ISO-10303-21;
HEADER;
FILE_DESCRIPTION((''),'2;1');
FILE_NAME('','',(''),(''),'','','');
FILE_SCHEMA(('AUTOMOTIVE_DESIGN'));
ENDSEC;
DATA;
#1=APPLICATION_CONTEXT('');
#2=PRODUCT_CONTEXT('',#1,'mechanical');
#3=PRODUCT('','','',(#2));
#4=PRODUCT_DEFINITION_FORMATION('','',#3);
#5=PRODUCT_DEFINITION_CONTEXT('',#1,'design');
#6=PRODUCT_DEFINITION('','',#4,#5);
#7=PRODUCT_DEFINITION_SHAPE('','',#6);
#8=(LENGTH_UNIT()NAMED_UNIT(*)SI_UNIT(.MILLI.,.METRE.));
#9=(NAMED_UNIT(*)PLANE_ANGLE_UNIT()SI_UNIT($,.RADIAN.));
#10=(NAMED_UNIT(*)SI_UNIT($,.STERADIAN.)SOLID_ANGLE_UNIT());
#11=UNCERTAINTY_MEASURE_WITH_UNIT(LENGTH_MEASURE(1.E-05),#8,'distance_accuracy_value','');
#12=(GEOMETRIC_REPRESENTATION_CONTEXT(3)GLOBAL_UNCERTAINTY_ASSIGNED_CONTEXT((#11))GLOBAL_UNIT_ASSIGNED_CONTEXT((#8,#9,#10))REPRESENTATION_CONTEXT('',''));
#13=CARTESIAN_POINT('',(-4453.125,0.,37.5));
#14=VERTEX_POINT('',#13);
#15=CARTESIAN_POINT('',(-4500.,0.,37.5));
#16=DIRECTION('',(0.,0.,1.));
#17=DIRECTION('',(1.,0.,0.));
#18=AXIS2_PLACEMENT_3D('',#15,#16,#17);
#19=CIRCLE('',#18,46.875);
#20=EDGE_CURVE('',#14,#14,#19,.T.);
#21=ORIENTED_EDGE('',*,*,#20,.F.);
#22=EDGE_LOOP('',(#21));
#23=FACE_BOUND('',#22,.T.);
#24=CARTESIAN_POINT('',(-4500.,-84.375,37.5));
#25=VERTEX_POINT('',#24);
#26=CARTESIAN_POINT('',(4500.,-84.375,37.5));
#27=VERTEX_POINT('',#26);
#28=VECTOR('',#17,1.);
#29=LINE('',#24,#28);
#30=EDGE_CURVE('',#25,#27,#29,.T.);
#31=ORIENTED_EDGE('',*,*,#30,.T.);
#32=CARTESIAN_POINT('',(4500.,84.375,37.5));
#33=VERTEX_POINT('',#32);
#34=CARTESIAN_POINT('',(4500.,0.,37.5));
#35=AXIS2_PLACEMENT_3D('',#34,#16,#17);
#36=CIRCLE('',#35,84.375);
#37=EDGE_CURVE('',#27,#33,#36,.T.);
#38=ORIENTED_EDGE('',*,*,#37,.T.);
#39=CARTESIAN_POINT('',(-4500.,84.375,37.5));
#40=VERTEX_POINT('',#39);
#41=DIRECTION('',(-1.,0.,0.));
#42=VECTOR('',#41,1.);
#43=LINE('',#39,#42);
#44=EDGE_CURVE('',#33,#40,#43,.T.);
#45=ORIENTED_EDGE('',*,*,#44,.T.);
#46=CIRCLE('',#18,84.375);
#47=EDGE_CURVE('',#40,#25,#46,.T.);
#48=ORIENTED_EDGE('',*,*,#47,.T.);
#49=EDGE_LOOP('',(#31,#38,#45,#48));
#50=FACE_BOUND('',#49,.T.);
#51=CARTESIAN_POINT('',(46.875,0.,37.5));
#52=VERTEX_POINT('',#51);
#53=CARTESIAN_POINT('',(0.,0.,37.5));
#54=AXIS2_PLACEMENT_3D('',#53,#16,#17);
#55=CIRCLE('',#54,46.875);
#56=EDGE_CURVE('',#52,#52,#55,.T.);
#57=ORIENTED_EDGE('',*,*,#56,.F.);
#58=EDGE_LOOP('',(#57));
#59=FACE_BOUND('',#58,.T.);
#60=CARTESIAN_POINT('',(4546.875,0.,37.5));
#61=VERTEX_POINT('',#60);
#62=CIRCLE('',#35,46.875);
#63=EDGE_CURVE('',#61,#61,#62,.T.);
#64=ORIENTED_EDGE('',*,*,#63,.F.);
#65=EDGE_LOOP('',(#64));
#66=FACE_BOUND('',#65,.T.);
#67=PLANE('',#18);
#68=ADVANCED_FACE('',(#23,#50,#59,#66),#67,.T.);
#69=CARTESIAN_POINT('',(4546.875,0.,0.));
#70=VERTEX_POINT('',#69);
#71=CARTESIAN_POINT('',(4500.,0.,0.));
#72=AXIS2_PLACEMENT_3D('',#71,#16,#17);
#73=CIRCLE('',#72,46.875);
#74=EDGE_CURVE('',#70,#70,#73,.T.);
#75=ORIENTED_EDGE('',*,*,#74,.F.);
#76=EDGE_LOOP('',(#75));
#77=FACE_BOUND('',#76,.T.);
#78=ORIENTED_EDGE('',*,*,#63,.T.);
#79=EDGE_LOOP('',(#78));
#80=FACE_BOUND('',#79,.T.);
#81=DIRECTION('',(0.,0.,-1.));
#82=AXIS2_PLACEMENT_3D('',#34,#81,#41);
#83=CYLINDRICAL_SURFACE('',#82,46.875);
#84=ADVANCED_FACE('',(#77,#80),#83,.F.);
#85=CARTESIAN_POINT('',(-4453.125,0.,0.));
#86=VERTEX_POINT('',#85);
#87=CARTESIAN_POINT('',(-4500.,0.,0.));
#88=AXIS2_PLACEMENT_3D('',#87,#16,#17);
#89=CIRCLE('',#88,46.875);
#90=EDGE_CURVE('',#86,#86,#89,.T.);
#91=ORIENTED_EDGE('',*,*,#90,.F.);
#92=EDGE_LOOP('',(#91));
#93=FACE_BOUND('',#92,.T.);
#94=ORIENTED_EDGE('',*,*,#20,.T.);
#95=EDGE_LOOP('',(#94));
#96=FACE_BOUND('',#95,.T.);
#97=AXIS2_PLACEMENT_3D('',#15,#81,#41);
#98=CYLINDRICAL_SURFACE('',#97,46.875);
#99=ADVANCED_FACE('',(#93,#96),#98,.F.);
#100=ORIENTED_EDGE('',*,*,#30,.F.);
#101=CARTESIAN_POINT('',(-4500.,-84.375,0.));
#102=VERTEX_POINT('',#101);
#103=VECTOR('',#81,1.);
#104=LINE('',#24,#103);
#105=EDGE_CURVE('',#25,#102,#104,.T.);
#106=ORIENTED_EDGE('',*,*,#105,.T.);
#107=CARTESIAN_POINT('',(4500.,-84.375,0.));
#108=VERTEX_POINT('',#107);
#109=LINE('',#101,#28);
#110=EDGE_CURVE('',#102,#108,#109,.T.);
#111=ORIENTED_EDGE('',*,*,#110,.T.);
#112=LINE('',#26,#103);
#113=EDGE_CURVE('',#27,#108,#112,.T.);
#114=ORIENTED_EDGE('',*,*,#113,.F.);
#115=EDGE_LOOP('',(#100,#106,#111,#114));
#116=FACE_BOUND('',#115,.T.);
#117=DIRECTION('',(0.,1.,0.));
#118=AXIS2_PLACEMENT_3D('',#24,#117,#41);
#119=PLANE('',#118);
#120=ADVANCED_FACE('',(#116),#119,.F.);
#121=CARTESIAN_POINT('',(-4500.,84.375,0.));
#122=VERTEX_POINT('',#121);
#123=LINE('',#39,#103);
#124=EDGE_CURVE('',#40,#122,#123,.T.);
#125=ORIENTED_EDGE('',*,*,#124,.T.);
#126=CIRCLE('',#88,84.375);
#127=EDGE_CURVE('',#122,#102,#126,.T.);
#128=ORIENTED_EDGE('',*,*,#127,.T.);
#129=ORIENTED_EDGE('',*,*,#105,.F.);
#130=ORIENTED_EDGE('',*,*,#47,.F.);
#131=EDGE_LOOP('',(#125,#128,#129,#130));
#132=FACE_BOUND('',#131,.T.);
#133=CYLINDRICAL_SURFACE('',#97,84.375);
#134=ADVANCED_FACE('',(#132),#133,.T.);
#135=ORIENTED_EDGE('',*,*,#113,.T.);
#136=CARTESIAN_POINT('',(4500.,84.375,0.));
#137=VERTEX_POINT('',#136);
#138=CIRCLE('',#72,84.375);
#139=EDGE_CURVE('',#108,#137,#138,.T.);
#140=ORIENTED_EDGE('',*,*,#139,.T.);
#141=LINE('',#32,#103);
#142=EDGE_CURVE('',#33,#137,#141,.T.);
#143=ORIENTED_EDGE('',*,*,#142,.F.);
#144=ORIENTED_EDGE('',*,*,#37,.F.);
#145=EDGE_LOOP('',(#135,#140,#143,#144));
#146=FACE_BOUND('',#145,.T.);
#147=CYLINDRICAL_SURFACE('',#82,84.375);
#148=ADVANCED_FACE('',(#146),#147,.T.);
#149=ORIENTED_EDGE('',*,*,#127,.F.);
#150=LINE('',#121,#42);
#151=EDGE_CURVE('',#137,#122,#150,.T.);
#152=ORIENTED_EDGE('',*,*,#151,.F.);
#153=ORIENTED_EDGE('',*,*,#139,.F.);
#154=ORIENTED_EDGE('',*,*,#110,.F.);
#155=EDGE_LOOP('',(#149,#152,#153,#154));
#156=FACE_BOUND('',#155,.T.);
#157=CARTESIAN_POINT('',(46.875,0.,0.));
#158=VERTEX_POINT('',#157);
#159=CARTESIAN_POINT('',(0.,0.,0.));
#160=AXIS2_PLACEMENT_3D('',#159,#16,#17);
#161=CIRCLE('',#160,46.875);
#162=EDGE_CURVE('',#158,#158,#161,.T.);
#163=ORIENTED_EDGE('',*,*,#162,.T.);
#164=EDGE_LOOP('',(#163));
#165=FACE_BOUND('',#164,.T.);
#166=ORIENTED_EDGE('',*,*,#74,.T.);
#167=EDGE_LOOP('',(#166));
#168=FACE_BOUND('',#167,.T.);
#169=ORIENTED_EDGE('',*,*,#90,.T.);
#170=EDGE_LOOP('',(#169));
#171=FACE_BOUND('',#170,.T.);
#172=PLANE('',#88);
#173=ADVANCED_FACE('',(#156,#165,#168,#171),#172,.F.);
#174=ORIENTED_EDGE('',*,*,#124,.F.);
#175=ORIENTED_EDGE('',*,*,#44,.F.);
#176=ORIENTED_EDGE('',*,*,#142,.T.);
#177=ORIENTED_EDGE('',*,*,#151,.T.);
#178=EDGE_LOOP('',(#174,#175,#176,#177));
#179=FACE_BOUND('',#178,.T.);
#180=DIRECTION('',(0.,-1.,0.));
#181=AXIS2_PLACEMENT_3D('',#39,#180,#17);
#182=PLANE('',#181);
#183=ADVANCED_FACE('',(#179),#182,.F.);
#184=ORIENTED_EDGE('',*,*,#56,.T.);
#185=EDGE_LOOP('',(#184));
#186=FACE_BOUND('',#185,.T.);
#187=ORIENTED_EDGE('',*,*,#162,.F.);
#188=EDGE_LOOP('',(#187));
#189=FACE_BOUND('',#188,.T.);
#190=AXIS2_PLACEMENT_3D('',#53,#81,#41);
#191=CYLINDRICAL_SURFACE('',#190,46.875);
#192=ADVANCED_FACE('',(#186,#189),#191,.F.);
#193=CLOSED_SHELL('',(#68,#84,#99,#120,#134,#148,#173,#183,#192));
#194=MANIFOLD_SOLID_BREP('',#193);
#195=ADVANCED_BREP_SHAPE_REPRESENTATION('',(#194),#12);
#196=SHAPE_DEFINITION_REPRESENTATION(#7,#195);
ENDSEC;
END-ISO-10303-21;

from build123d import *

# Parameters (mm, degrees)
SKETCH1_R           = 46.875
BOSS_EXTRUDE1_DEPTH = 37.5


with BuildPart() as part:
    # Sketch1 → Boss-Extrude1 (new body)
    with BuildSketch(Plane.XY):
        with BuildLine():
            Line((-4500, 84.375), (4500, 84.375))
            ThreePointArc((4500, 84.375), (4584.375, 0), (4500, -84.375))
            Line((4500, -84.375), (-4500, -84.375))
            ThreePointArc((-4500, -84.375), (-4584.375, 0), (-4500, 84.375))
        make_face()
        with Locations((-4500, 0)):
            Circle(SKETCH1_R, mode=Mode.SUBTRACT)
        Circle(SKETCH1_R, mode=Mode.SUBTRACT)
        with Locations((4500, 0)):
            Circle(SKETCH1_R, mode=Mode.SUBTRACT)
    extrude(amount=BOSS_EXTRUDE1_DEPTH)


solid = part.part
